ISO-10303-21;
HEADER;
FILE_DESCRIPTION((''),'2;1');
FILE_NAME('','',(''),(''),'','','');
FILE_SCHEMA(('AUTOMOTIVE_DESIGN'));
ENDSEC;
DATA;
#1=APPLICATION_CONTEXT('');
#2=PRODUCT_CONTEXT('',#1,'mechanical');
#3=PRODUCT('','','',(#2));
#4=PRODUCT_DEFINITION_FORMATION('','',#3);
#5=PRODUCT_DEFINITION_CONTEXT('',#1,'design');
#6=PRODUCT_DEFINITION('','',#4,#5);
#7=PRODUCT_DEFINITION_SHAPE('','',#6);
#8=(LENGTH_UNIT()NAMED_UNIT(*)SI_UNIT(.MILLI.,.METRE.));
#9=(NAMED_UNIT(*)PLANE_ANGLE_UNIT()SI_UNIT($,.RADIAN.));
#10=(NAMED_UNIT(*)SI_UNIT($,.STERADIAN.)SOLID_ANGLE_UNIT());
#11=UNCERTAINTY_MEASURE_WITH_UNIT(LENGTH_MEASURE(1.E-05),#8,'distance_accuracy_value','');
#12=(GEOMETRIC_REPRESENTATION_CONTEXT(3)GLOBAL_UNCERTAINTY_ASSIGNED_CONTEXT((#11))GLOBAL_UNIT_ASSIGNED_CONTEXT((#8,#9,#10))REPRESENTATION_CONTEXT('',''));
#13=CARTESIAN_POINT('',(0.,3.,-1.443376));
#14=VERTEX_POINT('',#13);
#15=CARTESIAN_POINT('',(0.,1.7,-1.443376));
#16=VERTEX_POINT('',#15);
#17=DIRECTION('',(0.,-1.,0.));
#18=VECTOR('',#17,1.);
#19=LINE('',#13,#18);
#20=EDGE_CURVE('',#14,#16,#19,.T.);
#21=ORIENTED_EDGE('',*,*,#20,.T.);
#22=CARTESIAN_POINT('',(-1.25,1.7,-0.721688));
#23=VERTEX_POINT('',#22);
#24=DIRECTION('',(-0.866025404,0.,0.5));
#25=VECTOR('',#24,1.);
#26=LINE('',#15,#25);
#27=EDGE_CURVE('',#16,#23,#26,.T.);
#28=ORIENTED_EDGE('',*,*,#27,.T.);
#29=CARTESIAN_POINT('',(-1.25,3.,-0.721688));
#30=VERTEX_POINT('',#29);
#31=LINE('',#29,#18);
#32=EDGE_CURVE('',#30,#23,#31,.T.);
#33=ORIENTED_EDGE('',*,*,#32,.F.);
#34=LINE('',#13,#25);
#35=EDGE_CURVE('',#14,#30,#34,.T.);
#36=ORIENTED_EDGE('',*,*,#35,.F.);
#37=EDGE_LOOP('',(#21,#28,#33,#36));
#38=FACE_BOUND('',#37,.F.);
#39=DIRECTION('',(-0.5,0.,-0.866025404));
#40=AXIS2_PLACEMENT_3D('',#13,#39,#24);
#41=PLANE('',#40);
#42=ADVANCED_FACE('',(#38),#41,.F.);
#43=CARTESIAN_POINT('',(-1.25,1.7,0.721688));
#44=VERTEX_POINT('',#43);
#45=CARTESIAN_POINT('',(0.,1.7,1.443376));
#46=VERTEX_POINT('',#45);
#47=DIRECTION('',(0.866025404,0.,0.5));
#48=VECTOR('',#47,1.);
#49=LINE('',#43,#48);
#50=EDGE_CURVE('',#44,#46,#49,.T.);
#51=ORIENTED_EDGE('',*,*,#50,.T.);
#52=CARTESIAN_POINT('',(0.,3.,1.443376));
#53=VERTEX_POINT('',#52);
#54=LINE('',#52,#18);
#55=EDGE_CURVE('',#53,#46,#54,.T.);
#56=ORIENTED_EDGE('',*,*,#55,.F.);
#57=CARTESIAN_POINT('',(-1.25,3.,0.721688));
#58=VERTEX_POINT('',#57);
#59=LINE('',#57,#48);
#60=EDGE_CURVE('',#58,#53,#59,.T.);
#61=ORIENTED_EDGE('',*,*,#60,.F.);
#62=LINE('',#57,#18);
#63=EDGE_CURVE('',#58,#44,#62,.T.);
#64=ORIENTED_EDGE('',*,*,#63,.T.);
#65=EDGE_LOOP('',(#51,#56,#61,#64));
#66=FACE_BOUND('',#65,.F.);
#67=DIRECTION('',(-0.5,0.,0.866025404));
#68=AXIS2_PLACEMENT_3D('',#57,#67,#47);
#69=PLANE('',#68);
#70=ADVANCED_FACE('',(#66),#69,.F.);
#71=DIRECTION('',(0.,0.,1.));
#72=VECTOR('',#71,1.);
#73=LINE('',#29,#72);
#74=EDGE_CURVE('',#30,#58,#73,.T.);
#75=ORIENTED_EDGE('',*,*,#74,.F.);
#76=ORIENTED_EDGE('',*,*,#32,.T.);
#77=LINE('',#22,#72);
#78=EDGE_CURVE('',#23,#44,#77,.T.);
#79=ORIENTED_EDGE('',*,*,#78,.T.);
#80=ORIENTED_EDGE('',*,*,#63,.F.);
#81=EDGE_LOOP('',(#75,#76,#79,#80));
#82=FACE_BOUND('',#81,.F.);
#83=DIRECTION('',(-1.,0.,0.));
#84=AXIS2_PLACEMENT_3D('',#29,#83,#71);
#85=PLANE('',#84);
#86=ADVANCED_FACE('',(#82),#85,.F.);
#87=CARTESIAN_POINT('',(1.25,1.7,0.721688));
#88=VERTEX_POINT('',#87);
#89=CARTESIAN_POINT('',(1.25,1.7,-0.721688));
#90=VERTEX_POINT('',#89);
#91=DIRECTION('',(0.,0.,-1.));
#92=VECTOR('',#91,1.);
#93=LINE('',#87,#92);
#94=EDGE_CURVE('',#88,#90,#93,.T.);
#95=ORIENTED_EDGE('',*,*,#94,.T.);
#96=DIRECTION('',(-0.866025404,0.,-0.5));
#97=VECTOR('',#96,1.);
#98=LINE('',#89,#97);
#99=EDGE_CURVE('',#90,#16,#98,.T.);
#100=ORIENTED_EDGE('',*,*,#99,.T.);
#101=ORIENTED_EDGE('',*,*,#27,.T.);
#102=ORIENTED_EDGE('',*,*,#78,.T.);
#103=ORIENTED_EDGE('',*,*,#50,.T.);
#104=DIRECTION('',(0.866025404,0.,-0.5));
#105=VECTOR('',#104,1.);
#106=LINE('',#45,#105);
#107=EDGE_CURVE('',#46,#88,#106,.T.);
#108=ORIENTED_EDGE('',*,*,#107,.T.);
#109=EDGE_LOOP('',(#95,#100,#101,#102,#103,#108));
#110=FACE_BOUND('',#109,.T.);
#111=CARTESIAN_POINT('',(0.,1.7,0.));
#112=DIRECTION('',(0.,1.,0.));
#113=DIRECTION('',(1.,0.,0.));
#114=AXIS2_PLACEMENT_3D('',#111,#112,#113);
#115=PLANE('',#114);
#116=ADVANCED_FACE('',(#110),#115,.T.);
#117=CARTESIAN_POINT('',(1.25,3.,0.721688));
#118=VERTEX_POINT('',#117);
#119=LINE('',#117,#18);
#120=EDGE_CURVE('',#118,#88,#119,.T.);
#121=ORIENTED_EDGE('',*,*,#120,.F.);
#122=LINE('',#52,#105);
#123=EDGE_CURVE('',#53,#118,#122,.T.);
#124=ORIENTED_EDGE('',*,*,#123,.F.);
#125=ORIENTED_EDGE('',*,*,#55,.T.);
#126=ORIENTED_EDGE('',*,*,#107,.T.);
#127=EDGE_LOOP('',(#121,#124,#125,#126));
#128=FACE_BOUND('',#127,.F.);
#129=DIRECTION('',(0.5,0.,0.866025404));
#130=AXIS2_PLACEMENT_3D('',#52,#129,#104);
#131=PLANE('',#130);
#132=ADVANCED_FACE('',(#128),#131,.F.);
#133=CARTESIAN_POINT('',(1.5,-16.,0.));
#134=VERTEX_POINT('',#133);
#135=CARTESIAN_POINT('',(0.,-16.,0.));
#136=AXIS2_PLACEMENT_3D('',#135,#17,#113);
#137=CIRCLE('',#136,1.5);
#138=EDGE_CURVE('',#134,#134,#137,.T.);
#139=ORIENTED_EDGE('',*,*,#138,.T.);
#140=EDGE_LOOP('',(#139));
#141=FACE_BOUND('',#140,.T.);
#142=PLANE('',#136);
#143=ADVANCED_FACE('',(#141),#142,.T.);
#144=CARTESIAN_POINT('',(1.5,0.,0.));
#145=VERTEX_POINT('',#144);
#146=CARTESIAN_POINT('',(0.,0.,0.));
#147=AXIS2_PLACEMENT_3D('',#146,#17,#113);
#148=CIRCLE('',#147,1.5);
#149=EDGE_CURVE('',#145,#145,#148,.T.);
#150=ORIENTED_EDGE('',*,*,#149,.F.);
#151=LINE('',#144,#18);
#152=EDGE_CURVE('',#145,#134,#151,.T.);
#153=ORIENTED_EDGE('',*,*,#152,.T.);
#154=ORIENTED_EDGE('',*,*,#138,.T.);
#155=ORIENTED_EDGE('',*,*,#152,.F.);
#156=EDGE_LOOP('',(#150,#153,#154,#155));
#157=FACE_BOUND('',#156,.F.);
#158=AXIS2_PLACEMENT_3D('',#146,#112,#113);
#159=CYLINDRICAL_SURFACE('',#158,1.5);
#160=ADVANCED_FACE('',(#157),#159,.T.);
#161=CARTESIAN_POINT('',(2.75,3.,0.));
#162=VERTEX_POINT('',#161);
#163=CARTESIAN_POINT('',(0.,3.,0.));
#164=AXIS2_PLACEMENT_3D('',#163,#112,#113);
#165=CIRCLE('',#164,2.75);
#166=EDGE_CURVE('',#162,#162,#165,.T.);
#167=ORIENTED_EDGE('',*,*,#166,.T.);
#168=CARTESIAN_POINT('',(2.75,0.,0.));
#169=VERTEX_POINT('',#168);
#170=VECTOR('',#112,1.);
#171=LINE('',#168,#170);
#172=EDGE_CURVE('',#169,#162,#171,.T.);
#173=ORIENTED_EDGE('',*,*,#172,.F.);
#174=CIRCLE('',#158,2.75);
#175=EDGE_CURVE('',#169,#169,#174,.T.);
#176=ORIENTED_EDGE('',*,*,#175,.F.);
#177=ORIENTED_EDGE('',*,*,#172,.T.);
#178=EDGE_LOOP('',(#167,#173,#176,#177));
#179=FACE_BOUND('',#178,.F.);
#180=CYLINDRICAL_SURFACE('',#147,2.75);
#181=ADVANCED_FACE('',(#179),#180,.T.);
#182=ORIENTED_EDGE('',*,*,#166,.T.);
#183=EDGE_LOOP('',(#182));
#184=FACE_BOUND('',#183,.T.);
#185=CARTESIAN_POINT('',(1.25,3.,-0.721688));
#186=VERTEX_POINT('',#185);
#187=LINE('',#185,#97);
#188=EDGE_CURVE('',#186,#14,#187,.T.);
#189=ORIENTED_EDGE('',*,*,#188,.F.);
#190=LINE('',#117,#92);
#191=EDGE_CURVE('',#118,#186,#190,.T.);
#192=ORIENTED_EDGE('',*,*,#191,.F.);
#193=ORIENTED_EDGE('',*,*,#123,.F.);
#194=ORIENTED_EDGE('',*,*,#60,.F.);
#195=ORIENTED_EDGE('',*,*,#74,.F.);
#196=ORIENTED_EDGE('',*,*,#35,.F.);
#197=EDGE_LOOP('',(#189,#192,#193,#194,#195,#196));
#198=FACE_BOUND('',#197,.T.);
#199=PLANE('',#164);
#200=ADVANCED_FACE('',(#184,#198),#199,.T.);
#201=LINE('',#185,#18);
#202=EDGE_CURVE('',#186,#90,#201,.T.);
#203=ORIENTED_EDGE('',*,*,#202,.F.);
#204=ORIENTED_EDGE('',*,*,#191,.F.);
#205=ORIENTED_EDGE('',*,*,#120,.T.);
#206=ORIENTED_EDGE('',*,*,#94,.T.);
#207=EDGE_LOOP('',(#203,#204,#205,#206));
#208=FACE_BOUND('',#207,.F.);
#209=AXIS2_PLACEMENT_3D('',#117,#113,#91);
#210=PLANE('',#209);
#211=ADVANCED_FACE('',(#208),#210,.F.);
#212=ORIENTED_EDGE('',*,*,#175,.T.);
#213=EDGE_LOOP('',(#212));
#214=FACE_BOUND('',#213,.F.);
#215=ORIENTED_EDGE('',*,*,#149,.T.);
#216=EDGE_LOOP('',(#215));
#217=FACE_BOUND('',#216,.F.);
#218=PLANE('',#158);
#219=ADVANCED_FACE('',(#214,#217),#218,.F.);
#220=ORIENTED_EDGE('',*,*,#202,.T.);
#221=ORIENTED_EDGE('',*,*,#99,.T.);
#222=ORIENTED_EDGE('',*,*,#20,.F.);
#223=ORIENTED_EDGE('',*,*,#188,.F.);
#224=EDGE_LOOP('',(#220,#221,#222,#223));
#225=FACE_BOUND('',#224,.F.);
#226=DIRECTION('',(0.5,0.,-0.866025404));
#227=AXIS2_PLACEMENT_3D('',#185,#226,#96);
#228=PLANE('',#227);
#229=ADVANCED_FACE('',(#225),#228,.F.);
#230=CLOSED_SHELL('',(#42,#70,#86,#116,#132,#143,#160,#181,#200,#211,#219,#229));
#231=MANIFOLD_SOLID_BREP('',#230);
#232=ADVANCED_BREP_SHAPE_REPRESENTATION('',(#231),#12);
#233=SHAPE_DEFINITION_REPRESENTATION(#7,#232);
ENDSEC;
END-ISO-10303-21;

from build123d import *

# Parameters (mm, degrees)
SKETCH1_R           = 2.75
BOSS_EXTRUDE1_DEPTH = 3
CUT_EXTRUDE1_DEPTH  = 1.3
SKETCH3_R           = 1.5
BOSS_EXTRUDE2_DEPTH = 16


with BuildPart() as part:
    # Sketch1 → Boss-Extrude1 (new body)
    with BuildSketch(Plane(origin=(0, 0, 0), x_dir=(1, 0, 0), z_dir=(0, 1, 0))):
        Circle(SKETCH1_R)
    extrude(amount=BOSS_EXTRUDE1_DEPTH)

    # Sketch2 → Cut-Extrude1 (cut)
    with BuildSketch(Plane(origin=(0, 3, 0), x_dir=(1, 0, 0), z_dir=(0, 1, 0))):
        Polygon((0, 1.443375673), (-1.25, 0.721687836), (-1.25, -0.721687836), (0, -1.443375673), (1.25, -0.721687836), (1.25, 0.721687836), align=None)
    extrude(amount=-CUT_EXTRUDE1_DEPTH, mode=Mode.SUBTRACT)

    # Sketch3 → Boss-Extrude2 (add)
    with BuildSketch(Plane.XZ):
        Circle(SKETCH3_R)
    extrude(amount=BOSS_EXTRUDE2_DEPTH)


solid = part.part
